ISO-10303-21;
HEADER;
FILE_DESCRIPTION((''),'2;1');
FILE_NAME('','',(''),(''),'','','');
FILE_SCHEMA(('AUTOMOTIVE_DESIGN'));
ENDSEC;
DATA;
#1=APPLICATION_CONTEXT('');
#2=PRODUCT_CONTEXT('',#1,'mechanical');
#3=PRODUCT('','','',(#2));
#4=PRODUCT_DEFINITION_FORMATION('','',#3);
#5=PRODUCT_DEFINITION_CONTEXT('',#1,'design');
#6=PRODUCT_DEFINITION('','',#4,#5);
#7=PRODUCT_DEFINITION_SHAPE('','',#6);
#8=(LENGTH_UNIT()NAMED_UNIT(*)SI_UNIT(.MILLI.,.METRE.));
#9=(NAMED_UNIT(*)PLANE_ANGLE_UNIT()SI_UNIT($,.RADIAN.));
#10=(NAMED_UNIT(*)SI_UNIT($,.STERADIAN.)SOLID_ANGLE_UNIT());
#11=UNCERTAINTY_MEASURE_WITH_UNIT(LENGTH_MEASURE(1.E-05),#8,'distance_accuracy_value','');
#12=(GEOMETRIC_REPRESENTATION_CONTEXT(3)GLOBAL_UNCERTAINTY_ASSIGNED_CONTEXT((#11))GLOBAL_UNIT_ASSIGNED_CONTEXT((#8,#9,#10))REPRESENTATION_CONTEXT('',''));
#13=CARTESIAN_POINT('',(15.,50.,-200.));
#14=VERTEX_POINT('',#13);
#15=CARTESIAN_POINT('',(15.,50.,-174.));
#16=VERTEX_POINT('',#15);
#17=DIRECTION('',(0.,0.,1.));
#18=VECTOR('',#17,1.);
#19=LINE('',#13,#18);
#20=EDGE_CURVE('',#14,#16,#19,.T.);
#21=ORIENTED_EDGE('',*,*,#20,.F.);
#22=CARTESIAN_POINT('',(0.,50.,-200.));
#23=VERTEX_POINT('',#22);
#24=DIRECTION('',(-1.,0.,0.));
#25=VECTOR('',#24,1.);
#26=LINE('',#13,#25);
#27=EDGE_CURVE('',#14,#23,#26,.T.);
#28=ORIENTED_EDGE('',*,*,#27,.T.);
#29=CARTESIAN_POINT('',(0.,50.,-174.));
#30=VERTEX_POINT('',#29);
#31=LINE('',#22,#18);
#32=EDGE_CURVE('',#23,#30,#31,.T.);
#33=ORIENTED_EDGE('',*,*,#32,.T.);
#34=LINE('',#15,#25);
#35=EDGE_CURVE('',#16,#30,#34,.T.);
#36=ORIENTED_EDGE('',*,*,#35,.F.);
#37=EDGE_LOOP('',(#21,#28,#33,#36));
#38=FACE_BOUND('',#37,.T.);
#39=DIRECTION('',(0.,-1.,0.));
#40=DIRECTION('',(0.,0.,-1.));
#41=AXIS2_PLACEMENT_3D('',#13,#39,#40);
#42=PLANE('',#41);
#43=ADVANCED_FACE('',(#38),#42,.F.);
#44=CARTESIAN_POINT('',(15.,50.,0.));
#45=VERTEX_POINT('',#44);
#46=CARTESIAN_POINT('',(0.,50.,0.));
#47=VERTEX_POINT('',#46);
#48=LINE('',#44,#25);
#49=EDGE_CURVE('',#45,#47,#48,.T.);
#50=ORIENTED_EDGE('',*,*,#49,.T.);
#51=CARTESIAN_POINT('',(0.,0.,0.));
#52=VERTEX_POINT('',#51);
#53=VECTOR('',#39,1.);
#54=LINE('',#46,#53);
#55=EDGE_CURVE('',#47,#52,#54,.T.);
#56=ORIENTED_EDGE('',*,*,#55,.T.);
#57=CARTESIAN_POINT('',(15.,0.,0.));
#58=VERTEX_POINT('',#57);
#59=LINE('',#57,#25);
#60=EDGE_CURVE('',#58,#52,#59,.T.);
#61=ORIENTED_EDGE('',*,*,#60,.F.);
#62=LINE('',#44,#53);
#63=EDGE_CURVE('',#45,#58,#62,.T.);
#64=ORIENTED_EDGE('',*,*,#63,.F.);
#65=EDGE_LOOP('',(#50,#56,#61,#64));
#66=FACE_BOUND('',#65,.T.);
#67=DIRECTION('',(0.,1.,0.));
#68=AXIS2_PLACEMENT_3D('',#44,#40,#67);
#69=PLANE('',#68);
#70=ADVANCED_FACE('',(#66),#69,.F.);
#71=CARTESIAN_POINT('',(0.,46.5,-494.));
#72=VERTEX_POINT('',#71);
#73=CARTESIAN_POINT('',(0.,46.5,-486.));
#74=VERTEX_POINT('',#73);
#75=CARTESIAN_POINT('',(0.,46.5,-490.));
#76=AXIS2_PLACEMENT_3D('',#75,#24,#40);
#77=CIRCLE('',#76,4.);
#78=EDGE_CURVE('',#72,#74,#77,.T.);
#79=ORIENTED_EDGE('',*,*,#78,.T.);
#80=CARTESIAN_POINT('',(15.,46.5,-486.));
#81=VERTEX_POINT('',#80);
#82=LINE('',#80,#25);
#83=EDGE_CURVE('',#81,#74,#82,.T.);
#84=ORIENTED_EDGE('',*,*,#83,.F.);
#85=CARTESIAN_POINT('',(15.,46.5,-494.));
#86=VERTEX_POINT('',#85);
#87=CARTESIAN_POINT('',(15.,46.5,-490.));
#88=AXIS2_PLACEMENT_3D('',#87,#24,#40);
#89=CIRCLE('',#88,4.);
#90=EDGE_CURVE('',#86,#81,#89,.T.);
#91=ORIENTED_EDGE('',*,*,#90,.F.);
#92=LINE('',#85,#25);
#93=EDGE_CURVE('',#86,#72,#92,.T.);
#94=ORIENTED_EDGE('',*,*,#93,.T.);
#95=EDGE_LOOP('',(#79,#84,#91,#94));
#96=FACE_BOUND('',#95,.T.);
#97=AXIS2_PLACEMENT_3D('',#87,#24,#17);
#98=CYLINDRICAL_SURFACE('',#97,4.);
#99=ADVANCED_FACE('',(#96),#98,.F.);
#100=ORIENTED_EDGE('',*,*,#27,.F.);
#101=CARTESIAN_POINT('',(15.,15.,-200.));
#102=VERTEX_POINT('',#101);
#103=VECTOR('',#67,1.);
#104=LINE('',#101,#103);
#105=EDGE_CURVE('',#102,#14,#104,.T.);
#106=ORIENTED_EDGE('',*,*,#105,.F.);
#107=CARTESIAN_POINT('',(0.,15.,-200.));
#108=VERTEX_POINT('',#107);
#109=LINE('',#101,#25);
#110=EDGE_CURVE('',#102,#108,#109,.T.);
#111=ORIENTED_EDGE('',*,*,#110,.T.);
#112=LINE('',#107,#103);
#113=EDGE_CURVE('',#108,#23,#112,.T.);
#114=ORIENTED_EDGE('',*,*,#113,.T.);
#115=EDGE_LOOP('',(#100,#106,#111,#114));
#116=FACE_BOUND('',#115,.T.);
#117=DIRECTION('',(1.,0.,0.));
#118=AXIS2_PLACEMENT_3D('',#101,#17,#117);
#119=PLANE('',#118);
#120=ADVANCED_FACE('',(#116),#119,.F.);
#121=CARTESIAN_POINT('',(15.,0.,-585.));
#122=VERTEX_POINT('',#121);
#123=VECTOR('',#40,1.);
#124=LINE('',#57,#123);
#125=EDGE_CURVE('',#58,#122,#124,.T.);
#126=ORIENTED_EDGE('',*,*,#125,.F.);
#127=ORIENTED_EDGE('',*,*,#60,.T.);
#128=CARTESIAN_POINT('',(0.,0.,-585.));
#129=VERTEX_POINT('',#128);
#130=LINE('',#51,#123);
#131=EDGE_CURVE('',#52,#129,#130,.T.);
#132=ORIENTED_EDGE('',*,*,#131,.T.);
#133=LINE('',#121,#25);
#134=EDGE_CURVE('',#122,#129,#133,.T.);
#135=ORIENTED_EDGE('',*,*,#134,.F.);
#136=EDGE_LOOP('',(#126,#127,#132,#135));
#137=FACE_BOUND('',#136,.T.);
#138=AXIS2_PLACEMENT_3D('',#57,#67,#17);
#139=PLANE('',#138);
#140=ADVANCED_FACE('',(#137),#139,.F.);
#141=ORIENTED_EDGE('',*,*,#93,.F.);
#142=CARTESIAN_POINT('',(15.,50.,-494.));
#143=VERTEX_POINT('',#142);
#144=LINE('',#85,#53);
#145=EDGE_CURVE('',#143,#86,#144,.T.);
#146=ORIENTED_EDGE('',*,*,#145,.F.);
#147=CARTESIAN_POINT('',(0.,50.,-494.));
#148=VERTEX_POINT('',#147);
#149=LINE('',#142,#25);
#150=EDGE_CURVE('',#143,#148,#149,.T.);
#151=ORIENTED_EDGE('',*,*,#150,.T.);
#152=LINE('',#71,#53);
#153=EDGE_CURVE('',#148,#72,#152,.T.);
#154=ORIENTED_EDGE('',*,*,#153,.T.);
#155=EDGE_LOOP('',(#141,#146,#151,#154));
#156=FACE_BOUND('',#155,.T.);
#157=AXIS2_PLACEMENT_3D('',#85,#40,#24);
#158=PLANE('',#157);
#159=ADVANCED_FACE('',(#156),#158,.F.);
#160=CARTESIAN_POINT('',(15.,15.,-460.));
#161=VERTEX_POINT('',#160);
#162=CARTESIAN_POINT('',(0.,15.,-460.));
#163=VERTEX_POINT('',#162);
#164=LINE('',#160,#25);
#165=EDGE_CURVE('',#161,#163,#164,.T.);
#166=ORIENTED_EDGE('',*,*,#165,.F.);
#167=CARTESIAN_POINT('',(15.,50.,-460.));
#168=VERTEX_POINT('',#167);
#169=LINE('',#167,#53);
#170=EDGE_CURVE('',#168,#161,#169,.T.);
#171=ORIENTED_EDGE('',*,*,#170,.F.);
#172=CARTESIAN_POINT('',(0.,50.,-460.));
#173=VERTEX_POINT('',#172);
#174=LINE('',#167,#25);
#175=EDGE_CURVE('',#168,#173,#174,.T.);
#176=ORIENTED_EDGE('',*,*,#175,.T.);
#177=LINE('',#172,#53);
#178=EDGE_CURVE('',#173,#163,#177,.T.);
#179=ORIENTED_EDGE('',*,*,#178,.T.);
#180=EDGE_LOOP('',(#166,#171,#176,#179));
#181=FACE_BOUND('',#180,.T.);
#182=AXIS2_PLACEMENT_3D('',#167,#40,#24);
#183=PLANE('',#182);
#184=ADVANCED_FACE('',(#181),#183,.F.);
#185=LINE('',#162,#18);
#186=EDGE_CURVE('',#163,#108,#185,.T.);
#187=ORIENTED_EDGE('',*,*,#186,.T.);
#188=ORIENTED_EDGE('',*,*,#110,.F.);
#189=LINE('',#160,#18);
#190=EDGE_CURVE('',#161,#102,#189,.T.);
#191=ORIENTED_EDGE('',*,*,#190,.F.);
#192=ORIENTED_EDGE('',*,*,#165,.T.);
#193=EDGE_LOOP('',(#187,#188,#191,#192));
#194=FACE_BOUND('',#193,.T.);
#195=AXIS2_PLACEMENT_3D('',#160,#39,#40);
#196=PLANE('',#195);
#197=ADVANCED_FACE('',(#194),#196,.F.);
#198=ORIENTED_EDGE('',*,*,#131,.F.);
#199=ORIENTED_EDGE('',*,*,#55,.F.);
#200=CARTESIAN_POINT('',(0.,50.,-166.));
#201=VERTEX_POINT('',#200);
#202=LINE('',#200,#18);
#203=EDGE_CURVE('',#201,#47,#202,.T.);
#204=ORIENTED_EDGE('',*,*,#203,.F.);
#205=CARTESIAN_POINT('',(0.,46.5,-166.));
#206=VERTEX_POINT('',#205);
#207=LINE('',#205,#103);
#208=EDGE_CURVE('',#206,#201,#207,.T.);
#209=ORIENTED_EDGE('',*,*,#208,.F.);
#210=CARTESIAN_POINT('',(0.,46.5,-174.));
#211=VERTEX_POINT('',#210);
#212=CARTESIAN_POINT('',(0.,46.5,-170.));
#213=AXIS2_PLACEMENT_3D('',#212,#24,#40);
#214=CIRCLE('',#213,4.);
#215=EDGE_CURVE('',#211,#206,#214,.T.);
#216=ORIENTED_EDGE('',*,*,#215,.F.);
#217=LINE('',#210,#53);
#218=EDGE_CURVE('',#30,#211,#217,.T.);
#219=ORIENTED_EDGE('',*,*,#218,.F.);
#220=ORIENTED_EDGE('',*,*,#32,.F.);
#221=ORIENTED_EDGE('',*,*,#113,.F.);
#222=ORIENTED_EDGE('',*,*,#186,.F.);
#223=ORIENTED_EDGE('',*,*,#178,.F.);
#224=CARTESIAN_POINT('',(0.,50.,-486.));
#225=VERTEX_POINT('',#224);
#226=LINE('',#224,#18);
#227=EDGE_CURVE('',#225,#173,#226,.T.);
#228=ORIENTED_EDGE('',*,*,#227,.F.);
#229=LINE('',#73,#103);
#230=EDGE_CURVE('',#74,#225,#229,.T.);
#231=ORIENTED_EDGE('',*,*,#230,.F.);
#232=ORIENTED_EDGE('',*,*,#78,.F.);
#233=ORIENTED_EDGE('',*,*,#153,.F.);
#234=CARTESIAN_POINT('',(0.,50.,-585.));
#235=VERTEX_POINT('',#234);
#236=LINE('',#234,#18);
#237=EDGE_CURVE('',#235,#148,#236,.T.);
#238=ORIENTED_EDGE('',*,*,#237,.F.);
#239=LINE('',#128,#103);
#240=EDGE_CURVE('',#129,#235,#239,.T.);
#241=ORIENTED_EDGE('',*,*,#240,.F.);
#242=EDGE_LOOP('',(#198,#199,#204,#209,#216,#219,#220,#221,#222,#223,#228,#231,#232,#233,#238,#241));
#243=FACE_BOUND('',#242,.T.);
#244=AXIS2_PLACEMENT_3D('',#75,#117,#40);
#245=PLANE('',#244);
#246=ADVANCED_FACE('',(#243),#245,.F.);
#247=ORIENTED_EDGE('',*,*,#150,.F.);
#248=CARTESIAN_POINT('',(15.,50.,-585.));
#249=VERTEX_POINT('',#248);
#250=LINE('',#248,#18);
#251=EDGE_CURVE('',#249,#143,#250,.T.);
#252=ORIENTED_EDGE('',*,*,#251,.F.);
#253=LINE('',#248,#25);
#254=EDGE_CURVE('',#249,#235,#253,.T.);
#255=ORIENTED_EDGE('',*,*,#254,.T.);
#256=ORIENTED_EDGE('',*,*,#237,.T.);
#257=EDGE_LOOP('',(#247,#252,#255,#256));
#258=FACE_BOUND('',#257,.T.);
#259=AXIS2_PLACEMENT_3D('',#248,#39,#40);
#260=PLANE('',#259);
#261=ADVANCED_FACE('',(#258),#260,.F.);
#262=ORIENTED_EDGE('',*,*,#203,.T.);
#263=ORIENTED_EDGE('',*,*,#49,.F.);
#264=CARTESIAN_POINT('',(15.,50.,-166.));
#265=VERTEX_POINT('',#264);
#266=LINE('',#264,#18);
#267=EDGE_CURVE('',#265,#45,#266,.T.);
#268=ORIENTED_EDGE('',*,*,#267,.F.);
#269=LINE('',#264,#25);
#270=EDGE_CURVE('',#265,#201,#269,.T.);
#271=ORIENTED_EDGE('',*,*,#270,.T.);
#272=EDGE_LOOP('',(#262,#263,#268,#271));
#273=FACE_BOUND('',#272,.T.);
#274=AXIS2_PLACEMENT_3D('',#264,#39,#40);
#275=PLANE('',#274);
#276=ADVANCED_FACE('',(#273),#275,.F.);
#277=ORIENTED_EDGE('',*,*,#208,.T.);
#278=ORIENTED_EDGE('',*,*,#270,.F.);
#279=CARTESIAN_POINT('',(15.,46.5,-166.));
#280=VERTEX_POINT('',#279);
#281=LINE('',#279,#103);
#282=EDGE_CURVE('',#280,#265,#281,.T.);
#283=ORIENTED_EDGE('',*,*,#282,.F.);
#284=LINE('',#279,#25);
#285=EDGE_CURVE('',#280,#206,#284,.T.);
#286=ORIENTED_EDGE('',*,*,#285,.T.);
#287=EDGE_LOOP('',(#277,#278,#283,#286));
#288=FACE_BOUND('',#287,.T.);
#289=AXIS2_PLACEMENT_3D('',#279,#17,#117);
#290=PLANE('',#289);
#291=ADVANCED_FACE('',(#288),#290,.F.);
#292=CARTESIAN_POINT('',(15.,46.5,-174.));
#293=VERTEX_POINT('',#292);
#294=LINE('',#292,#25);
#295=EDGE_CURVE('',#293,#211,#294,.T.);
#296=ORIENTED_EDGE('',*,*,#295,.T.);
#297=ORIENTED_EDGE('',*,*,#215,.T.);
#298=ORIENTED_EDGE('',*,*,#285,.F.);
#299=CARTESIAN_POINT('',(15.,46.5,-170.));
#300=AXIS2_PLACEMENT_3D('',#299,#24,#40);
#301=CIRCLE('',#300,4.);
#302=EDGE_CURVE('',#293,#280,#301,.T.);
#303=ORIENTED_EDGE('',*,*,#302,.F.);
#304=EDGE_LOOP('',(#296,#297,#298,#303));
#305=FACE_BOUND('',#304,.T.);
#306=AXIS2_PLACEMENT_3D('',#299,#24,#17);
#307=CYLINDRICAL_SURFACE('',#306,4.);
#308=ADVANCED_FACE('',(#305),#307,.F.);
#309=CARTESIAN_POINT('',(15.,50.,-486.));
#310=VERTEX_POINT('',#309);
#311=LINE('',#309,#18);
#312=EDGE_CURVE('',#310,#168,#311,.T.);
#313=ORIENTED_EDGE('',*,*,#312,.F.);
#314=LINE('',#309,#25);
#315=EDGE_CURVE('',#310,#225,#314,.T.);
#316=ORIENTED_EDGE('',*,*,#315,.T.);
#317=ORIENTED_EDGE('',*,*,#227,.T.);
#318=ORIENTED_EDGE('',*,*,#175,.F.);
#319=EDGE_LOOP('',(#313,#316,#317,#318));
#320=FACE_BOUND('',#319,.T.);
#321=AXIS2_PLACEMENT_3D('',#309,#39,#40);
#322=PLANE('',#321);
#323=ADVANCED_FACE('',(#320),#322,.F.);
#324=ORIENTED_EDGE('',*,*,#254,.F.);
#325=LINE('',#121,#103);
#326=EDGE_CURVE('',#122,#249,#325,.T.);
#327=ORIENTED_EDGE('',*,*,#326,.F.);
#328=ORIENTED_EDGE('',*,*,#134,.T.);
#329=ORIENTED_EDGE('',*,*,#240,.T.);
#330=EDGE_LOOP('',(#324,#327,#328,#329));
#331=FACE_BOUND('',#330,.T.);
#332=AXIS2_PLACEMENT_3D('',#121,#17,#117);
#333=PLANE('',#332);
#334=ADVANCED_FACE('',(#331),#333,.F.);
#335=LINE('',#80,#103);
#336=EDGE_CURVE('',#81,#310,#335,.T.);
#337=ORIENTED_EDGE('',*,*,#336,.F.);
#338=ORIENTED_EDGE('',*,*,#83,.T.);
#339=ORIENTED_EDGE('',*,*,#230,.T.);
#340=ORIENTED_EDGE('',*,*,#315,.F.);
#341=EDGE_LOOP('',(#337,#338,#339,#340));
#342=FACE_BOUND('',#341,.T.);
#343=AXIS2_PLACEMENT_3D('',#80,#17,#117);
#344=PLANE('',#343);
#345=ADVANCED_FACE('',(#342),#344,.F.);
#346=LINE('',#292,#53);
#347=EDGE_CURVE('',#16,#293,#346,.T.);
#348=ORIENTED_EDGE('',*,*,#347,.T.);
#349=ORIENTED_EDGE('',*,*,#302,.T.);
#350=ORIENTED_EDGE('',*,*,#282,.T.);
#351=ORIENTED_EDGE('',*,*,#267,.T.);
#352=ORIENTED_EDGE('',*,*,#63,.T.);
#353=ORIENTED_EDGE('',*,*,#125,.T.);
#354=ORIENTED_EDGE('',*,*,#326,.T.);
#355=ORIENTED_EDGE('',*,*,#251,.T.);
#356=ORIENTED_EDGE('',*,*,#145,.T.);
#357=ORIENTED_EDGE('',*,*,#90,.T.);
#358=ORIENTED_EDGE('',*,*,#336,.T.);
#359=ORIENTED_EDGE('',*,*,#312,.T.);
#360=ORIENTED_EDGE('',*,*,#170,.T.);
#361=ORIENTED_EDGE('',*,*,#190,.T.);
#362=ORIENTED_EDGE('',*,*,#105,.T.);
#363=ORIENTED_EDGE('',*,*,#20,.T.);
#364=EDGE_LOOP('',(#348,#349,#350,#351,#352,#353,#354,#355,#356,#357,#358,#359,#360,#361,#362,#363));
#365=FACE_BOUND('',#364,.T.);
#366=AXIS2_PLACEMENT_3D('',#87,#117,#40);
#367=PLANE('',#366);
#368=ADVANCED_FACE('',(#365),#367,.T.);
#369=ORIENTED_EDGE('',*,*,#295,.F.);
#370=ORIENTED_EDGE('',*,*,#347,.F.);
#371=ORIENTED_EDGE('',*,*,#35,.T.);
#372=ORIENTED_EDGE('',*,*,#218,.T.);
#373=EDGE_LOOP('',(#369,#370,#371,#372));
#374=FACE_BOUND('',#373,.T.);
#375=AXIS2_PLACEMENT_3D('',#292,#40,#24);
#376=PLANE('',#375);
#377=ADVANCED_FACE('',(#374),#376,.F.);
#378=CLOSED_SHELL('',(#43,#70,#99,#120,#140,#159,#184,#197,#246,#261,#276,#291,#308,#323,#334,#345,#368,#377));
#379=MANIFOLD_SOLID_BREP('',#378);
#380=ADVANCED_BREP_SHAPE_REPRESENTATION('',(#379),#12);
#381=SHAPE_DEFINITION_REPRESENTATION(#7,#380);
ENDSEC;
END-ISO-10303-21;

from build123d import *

# Parameters (mm, degrees)
SALIENTE_EXTRUIR3_DEPTH = 15


with BuildPart() as part:
    # Croquis2 → Saliente-Extruir3 (new body)
    with BuildSketch(Plane(origin=(0, 0, 0), x_dir=(0, 0, -1), z_dir=(1, 0, 0))):
        with BuildLine():
            Line((0, 0), (585, 0))
            Line((585, 0), (585, 50))
            Line((585, 50), (494, 50))
            Line((494, 50), (494, 46.5))
            ThreePointArc((494, 46.5), (490, 42.5), (486, 46.5))
            Line((486, 46.5), (486, 50))
            Line((486, 50), (460, 50))
            Line((460, 50), (460, 15))
            Line((460, 15), (200, 15))
            Line((200, 15), (200, 50))
            Line((200, 50), (174, 50))
            Line((174, 50), (174, 46.5))
            ThreePointArc((174, 46.5), (170, 42.5), (166, 46.5))
            Line((166, 46.5), (166, 50))
            Line((166, 50), (0, 50))
            Line((0, 50), (0, 0))
        make_face()
    extrude(amount=SALIENTE_EXTRUIR3_DEPTH)


solid = part.part
